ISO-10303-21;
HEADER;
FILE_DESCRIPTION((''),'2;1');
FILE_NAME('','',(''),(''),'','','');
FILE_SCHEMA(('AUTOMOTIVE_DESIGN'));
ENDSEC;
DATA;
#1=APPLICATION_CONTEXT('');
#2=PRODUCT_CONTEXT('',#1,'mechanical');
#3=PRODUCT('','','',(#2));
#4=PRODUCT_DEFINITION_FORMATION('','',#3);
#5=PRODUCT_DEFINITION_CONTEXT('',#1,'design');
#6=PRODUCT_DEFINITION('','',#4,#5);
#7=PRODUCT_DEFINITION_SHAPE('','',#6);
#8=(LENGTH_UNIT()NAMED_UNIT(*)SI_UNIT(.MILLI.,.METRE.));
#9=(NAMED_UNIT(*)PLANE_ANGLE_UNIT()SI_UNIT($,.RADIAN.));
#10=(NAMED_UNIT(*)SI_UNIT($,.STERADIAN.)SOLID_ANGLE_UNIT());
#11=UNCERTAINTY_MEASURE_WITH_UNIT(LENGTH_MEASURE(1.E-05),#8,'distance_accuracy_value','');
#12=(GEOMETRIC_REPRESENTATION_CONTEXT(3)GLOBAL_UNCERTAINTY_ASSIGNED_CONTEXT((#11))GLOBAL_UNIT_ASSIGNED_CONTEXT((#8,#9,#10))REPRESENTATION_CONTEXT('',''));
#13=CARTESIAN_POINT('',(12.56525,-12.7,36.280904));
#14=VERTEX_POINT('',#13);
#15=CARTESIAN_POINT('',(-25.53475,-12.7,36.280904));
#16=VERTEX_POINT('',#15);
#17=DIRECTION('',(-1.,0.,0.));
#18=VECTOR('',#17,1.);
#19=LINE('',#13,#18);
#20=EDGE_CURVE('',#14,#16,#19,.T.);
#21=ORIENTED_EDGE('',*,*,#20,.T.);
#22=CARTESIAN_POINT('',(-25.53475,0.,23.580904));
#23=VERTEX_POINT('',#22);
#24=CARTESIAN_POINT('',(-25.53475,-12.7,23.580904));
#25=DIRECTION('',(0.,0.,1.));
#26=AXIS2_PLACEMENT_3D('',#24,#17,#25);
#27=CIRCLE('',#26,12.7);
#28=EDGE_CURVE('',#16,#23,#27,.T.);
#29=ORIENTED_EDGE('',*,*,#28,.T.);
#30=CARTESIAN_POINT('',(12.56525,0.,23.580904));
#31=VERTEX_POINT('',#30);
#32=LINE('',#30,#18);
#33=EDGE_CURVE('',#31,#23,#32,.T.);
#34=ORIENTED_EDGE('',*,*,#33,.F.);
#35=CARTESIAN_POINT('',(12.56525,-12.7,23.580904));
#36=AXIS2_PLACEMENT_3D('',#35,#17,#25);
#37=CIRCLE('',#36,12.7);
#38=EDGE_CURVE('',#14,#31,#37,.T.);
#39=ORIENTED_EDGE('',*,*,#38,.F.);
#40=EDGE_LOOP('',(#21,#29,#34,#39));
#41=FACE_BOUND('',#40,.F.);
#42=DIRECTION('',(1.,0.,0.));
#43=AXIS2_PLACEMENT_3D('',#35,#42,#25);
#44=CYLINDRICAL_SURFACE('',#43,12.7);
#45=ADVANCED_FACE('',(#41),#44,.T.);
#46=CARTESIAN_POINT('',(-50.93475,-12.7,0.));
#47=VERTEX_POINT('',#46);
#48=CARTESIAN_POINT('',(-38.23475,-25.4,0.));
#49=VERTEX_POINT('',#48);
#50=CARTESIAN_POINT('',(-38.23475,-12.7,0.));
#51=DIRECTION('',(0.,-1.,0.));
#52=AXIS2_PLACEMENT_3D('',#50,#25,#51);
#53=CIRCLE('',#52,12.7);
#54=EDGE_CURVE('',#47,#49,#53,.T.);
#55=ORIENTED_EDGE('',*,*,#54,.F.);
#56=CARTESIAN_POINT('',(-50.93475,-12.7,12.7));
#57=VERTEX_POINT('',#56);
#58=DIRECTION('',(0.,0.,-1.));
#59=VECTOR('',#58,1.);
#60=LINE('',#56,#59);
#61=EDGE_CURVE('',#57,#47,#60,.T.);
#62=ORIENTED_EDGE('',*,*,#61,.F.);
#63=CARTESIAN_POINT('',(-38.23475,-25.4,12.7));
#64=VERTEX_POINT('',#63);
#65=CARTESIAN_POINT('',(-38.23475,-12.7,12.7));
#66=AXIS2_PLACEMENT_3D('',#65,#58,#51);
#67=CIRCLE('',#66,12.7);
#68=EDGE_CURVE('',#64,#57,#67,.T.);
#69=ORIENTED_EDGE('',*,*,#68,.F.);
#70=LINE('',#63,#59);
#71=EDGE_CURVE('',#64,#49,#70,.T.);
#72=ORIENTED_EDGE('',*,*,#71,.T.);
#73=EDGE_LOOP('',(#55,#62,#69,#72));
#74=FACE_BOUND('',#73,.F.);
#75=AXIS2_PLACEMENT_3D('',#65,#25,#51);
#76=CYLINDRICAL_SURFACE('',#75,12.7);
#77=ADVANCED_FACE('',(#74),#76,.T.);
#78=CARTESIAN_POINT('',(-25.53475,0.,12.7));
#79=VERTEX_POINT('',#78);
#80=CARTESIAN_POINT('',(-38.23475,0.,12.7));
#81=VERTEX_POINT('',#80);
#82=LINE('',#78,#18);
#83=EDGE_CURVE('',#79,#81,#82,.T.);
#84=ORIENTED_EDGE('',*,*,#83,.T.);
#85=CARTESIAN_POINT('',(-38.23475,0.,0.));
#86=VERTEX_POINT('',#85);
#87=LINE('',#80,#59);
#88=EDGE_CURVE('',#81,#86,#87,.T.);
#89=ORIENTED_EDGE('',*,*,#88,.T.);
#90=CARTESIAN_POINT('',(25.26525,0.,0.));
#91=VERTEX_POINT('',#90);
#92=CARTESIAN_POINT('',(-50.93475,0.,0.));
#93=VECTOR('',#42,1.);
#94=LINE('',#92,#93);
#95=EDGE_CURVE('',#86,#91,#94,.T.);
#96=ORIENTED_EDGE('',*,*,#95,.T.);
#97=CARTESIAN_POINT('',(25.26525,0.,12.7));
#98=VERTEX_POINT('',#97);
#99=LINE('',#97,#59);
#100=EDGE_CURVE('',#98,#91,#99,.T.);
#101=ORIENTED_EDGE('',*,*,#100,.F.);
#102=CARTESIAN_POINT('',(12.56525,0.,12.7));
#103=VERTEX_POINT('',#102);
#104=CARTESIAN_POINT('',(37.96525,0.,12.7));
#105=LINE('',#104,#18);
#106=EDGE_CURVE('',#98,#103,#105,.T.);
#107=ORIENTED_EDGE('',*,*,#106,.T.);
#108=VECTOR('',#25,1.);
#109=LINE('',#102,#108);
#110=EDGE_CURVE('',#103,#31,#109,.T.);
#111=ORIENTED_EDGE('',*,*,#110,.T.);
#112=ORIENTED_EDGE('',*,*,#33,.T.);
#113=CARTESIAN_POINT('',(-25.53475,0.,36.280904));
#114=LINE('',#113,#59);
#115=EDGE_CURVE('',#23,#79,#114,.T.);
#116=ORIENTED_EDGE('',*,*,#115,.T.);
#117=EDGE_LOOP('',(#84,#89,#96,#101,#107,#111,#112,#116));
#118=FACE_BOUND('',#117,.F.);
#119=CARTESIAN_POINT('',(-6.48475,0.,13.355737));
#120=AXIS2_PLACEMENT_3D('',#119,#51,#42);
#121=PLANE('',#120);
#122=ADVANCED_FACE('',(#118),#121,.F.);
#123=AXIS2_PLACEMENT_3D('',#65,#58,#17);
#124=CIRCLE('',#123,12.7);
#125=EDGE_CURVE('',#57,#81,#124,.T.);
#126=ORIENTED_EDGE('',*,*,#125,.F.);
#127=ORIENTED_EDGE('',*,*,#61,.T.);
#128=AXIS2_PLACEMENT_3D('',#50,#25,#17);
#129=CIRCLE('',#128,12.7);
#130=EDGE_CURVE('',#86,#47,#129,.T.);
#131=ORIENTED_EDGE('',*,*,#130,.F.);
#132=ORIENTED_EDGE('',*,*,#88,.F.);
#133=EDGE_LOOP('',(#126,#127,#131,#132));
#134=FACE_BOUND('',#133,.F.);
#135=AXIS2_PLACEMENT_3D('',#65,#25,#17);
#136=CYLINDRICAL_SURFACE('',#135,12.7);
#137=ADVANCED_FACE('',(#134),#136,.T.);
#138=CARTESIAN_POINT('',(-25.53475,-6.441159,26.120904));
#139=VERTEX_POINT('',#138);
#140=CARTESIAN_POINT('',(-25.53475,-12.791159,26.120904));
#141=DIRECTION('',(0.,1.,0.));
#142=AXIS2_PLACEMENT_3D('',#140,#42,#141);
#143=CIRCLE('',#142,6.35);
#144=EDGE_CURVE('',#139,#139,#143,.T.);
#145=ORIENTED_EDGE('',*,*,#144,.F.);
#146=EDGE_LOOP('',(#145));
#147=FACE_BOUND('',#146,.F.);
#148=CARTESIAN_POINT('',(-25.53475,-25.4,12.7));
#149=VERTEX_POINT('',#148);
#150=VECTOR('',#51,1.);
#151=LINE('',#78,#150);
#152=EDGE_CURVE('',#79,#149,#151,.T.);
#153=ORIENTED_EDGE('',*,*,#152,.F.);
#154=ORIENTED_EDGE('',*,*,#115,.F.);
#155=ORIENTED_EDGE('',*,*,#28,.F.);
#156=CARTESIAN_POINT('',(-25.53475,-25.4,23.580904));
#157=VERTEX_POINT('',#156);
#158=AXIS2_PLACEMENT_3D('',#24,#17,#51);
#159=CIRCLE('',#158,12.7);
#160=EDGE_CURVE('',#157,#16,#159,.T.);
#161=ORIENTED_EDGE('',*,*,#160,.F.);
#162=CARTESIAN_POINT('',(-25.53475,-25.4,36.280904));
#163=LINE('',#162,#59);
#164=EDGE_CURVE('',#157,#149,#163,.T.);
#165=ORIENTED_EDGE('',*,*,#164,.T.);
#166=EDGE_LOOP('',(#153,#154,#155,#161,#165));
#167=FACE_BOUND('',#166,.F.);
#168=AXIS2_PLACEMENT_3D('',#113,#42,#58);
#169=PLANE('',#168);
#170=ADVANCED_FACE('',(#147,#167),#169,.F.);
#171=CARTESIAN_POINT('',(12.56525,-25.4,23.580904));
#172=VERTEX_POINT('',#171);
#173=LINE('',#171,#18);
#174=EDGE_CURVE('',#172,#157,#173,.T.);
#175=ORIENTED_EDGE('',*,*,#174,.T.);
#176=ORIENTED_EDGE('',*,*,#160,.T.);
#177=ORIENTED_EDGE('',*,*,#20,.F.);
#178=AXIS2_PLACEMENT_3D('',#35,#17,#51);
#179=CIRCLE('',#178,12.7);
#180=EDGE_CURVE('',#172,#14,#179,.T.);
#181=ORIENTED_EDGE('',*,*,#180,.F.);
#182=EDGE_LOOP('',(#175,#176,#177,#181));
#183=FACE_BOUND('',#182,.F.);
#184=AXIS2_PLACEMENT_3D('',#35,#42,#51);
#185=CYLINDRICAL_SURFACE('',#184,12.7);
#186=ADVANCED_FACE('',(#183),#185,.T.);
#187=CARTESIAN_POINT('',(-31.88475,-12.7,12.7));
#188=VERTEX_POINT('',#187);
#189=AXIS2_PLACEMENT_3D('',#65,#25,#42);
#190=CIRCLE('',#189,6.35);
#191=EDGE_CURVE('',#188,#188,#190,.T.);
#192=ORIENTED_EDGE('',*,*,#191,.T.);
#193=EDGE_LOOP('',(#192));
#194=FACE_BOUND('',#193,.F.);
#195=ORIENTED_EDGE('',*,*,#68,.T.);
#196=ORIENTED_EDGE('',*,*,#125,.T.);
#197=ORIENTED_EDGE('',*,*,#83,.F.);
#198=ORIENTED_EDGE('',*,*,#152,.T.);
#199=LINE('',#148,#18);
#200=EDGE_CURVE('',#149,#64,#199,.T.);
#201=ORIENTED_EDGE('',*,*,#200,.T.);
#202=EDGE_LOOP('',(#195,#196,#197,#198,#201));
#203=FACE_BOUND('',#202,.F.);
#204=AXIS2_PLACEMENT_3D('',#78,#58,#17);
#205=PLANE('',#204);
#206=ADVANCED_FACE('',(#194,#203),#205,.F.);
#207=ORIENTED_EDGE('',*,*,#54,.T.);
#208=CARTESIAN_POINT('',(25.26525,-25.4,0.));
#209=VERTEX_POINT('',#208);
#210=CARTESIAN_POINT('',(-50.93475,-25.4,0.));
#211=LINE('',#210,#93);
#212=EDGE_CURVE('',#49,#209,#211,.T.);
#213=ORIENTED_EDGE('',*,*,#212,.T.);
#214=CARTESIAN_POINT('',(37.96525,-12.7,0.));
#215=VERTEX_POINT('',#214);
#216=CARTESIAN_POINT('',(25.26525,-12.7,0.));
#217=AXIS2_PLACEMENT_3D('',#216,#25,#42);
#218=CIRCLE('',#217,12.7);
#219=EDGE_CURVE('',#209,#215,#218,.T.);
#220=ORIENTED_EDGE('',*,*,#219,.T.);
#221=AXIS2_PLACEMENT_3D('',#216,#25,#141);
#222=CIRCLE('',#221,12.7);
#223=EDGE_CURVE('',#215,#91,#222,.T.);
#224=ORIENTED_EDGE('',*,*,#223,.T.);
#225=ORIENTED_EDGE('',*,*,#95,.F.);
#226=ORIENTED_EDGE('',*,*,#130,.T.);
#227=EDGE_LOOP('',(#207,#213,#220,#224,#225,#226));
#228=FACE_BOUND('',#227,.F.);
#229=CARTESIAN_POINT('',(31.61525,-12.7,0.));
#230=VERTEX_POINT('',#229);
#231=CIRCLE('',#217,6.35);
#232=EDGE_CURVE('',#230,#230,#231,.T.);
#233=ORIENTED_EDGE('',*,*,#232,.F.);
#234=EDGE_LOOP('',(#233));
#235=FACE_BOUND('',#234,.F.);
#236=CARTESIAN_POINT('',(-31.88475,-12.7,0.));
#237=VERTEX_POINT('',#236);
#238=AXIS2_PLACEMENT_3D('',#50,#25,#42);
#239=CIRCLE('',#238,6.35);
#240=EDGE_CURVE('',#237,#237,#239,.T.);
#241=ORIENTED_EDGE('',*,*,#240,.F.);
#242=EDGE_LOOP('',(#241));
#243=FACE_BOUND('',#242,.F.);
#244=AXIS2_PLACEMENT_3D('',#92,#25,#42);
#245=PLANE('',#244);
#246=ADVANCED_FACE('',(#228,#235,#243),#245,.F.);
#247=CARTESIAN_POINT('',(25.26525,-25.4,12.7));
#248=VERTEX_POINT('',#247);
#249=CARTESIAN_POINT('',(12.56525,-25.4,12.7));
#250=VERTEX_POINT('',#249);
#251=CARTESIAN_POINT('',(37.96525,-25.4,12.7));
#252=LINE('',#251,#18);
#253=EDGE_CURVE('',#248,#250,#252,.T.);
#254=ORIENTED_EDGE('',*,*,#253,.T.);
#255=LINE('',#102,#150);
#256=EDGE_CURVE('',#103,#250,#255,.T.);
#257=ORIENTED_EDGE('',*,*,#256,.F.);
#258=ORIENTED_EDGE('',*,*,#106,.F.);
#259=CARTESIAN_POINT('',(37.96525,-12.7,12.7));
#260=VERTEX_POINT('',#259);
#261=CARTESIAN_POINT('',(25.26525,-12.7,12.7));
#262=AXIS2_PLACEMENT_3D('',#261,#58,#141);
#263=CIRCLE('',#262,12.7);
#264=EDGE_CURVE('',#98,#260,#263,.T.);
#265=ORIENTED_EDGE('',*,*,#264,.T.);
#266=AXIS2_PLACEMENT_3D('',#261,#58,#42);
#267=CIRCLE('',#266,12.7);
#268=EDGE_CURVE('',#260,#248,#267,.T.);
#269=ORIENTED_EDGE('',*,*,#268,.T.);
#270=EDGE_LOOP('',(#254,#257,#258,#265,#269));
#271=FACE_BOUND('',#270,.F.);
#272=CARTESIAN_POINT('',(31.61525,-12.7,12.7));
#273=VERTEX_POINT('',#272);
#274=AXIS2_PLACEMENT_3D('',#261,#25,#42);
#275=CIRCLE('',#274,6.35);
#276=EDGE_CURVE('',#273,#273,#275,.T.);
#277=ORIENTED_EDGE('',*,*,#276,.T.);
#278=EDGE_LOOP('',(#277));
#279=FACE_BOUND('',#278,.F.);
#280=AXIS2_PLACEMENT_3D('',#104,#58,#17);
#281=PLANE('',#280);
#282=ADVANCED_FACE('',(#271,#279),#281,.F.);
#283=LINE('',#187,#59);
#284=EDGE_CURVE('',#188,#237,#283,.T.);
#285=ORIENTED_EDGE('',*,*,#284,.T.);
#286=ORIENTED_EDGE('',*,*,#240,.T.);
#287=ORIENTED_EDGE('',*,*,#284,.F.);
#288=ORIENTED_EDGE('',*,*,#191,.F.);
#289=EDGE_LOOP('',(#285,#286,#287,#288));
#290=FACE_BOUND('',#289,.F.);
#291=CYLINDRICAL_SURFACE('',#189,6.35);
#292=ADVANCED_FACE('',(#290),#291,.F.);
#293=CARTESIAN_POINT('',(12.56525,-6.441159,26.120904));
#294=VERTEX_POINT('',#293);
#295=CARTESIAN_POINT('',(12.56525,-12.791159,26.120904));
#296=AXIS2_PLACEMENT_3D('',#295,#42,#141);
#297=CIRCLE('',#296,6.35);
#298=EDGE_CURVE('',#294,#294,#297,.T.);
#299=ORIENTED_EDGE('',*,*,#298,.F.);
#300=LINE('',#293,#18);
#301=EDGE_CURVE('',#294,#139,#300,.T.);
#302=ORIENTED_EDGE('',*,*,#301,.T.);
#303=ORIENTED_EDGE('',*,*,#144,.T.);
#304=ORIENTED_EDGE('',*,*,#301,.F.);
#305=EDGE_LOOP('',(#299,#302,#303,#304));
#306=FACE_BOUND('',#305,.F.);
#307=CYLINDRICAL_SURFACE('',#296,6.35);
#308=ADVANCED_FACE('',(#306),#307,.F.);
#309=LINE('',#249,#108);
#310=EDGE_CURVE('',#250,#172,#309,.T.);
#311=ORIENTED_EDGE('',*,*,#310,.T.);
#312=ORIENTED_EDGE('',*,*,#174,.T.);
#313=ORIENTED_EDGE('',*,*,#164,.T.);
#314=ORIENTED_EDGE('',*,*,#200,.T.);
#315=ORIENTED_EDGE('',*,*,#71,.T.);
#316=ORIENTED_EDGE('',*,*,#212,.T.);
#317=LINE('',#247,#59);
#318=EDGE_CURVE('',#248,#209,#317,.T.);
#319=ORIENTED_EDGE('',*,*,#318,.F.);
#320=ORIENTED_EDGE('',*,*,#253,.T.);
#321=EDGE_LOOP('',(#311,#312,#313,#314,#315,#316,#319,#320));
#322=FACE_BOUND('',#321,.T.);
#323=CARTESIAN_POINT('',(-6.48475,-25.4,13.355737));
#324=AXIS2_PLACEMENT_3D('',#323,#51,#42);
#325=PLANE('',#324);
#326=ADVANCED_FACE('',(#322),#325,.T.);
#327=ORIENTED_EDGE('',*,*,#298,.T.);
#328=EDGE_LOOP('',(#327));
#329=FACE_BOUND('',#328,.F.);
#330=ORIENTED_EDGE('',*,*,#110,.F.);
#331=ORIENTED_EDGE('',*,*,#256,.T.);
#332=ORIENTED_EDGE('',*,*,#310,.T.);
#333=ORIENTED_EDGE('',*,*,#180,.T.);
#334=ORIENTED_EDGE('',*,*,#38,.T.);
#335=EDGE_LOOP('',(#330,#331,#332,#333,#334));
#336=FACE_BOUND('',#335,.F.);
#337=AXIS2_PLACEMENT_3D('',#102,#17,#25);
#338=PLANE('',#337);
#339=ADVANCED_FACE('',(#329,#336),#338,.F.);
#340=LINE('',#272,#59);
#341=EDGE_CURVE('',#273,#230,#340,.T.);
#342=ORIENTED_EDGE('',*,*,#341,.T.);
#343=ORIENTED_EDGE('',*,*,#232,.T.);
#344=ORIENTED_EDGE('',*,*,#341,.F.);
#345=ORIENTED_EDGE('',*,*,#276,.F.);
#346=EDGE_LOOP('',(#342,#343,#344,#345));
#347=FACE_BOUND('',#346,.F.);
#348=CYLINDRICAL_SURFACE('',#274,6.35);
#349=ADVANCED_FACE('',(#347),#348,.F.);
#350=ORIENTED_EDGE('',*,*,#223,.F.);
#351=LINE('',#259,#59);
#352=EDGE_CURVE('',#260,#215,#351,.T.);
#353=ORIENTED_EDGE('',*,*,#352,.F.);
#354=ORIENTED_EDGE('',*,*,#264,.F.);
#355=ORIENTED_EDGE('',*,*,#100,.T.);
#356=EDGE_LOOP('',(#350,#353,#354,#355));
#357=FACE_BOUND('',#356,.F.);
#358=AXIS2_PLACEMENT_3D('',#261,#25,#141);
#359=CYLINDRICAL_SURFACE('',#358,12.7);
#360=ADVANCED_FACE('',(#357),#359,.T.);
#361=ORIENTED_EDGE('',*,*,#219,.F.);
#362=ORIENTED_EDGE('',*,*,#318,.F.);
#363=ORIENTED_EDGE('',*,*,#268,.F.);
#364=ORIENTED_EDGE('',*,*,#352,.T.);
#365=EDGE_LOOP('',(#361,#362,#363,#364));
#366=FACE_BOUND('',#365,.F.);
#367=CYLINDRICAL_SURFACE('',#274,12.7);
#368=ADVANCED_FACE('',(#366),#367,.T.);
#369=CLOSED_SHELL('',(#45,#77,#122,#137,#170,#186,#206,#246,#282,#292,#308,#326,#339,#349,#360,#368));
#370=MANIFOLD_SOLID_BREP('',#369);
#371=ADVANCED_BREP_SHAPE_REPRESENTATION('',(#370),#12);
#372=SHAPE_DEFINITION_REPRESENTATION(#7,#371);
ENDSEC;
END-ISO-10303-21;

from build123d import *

# Parameters (mm, degrees)
F1_DEPTH  = 25.4
F3_DEPTH  = 25.4
F5_DEPTH  = 25.4
F6_R      = 6.35
F7_DEPTH  = 25.4
F8_R      = 6.35
F9_DEPTH  = 25.4
F10_R     = 6.35
F11_DEPTH = 38.1
F13_DEPTH = 38.1


with BuildPart() as f1:
    # F0 (on Front) → F1 (new body)
    with BuildSketch(Plane.XZ):
        Polygon((-50.9347495013, 12.7), (-50.9347495013, 0), (37.9652504987, 0), (37.9652504987, 12.7), (12.5652504987, 12.7), (12.5652504987, 36.2809036063), (-25.5347495013, 36.2809036063), (-25.5347495013, 12.7), align=None)
    extrude(amount=F1_DEPTH)

    # F2 (on face) → F3 (cut)
    with BuildSketch(Plane.XY.offset(12.7)):
        with BuildLine():
            ThreePointArc((-50.9347495013, -12.7), (-47.2150056224, -3.7197438789), (-38.2347495013, 0))
            Line((-38.2347495013, 0), (-50.9347495013, 0))
            Line((-50.9347495013, 0), (-50.9347495013, -12.7))
        make_face()
        with BuildLine():
            Line((-50.9347495013, -25.4), (-38.2347495013, -25.4))
            ThreePointArc((-38.2347495013, -25.4), (-47.2150056224, -21.6802561211), (-50.9347495013, -12.7))
            Line((-50.9347495013, -12.7), (-50.9347495013, -25.4))
        make_face()
    extrude(amount=-F3_DEPTH, mode=Mode.SUBTRACT)

    # F4 (on face) → F5 (cut)
    with BuildSketch(Plane.XY.offset(12.7)):
        with BuildLine():
            ThreePointArc((25.2652504987, 0), (34.2455066198, -3.7197438789), (37.9652504987, -12.7))
            Line((37.9652504987, -12.7), (37.9652504987, 0))
            Line((37.9652504987, 0), (25.2652504987, 0))
        make_face()
        with BuildLine():
            Line((37.9652504987, -25.4), (37.9652504987, -12.7))
            ThreePointArc((37.9652504987, -12.7), (34.2455066198, -21.6802561211), (25.2652504987, -25.4))
            Line((25.2652504987, -25.4), (37.9652504987, -25.4))
        make_face()
    extrude(amount=-F5_DEPTH, mode=Mode.SUBTRACT)

    # F6 (on face) → F7 (cut)
    with BuildSketch(Plane.XY.offset(12.7)):
        with Locations((-38.2347495013, -12.7)):
            Circle(F6_R)
    extrude(amount=-F7_DEPTH, mode=Mode.SUBTRACT)

    # F8 (on face) → F9 (cut)
    with BuildSketch(Plane.XY.offset(12.7)):
        with Locations((25.2652504987, -12.7)):
            Circle(F8_R)
    extrude(amount=-F9_DEPTH, mode=Mode.SUBTRACT)

    # F10 (on face) → F11 (cut)
    with BuildSketch(Plane.YZ.offset(12.5652504987)):
        with Locations((-12.7911586314, 26.1209036063)):
            Circle(F10_R)
    extrude(amount=-F11_DEPTH, mode=Mode.SUBTRACT)

    # F12 (on face) → F13 (cut)
    with BuildSketch(Plane.YZ.offset(12.5652504987)):
        with BuildLine():
            ThreePointArc((-25.4, 23.5809036063), (-21.6802561211, 32.5611597274), (-12.7, 36.2809036063))
            Line((-12.7, 36.2809036063), (-25.4, 36.2809036063))
            Line((-25.4, 36.2809036063), (-25.4, 23.5809036063))
        make_face()
        with BuildLine():
            ThreePointArc((-12.7, 36.2809036063), (-3.7197438789, 32.5611597274), (0, 23.5809036063))
            Line((0, 23.5809036063), (0, 36.2809036063))
            Line((0, 36.2809036063), (-12.7, 36.2809036063))
        make_face()
    extrude(amount=-F13_DEPTH, mode=Mode.SUBTRACT)


solid = f1.part
